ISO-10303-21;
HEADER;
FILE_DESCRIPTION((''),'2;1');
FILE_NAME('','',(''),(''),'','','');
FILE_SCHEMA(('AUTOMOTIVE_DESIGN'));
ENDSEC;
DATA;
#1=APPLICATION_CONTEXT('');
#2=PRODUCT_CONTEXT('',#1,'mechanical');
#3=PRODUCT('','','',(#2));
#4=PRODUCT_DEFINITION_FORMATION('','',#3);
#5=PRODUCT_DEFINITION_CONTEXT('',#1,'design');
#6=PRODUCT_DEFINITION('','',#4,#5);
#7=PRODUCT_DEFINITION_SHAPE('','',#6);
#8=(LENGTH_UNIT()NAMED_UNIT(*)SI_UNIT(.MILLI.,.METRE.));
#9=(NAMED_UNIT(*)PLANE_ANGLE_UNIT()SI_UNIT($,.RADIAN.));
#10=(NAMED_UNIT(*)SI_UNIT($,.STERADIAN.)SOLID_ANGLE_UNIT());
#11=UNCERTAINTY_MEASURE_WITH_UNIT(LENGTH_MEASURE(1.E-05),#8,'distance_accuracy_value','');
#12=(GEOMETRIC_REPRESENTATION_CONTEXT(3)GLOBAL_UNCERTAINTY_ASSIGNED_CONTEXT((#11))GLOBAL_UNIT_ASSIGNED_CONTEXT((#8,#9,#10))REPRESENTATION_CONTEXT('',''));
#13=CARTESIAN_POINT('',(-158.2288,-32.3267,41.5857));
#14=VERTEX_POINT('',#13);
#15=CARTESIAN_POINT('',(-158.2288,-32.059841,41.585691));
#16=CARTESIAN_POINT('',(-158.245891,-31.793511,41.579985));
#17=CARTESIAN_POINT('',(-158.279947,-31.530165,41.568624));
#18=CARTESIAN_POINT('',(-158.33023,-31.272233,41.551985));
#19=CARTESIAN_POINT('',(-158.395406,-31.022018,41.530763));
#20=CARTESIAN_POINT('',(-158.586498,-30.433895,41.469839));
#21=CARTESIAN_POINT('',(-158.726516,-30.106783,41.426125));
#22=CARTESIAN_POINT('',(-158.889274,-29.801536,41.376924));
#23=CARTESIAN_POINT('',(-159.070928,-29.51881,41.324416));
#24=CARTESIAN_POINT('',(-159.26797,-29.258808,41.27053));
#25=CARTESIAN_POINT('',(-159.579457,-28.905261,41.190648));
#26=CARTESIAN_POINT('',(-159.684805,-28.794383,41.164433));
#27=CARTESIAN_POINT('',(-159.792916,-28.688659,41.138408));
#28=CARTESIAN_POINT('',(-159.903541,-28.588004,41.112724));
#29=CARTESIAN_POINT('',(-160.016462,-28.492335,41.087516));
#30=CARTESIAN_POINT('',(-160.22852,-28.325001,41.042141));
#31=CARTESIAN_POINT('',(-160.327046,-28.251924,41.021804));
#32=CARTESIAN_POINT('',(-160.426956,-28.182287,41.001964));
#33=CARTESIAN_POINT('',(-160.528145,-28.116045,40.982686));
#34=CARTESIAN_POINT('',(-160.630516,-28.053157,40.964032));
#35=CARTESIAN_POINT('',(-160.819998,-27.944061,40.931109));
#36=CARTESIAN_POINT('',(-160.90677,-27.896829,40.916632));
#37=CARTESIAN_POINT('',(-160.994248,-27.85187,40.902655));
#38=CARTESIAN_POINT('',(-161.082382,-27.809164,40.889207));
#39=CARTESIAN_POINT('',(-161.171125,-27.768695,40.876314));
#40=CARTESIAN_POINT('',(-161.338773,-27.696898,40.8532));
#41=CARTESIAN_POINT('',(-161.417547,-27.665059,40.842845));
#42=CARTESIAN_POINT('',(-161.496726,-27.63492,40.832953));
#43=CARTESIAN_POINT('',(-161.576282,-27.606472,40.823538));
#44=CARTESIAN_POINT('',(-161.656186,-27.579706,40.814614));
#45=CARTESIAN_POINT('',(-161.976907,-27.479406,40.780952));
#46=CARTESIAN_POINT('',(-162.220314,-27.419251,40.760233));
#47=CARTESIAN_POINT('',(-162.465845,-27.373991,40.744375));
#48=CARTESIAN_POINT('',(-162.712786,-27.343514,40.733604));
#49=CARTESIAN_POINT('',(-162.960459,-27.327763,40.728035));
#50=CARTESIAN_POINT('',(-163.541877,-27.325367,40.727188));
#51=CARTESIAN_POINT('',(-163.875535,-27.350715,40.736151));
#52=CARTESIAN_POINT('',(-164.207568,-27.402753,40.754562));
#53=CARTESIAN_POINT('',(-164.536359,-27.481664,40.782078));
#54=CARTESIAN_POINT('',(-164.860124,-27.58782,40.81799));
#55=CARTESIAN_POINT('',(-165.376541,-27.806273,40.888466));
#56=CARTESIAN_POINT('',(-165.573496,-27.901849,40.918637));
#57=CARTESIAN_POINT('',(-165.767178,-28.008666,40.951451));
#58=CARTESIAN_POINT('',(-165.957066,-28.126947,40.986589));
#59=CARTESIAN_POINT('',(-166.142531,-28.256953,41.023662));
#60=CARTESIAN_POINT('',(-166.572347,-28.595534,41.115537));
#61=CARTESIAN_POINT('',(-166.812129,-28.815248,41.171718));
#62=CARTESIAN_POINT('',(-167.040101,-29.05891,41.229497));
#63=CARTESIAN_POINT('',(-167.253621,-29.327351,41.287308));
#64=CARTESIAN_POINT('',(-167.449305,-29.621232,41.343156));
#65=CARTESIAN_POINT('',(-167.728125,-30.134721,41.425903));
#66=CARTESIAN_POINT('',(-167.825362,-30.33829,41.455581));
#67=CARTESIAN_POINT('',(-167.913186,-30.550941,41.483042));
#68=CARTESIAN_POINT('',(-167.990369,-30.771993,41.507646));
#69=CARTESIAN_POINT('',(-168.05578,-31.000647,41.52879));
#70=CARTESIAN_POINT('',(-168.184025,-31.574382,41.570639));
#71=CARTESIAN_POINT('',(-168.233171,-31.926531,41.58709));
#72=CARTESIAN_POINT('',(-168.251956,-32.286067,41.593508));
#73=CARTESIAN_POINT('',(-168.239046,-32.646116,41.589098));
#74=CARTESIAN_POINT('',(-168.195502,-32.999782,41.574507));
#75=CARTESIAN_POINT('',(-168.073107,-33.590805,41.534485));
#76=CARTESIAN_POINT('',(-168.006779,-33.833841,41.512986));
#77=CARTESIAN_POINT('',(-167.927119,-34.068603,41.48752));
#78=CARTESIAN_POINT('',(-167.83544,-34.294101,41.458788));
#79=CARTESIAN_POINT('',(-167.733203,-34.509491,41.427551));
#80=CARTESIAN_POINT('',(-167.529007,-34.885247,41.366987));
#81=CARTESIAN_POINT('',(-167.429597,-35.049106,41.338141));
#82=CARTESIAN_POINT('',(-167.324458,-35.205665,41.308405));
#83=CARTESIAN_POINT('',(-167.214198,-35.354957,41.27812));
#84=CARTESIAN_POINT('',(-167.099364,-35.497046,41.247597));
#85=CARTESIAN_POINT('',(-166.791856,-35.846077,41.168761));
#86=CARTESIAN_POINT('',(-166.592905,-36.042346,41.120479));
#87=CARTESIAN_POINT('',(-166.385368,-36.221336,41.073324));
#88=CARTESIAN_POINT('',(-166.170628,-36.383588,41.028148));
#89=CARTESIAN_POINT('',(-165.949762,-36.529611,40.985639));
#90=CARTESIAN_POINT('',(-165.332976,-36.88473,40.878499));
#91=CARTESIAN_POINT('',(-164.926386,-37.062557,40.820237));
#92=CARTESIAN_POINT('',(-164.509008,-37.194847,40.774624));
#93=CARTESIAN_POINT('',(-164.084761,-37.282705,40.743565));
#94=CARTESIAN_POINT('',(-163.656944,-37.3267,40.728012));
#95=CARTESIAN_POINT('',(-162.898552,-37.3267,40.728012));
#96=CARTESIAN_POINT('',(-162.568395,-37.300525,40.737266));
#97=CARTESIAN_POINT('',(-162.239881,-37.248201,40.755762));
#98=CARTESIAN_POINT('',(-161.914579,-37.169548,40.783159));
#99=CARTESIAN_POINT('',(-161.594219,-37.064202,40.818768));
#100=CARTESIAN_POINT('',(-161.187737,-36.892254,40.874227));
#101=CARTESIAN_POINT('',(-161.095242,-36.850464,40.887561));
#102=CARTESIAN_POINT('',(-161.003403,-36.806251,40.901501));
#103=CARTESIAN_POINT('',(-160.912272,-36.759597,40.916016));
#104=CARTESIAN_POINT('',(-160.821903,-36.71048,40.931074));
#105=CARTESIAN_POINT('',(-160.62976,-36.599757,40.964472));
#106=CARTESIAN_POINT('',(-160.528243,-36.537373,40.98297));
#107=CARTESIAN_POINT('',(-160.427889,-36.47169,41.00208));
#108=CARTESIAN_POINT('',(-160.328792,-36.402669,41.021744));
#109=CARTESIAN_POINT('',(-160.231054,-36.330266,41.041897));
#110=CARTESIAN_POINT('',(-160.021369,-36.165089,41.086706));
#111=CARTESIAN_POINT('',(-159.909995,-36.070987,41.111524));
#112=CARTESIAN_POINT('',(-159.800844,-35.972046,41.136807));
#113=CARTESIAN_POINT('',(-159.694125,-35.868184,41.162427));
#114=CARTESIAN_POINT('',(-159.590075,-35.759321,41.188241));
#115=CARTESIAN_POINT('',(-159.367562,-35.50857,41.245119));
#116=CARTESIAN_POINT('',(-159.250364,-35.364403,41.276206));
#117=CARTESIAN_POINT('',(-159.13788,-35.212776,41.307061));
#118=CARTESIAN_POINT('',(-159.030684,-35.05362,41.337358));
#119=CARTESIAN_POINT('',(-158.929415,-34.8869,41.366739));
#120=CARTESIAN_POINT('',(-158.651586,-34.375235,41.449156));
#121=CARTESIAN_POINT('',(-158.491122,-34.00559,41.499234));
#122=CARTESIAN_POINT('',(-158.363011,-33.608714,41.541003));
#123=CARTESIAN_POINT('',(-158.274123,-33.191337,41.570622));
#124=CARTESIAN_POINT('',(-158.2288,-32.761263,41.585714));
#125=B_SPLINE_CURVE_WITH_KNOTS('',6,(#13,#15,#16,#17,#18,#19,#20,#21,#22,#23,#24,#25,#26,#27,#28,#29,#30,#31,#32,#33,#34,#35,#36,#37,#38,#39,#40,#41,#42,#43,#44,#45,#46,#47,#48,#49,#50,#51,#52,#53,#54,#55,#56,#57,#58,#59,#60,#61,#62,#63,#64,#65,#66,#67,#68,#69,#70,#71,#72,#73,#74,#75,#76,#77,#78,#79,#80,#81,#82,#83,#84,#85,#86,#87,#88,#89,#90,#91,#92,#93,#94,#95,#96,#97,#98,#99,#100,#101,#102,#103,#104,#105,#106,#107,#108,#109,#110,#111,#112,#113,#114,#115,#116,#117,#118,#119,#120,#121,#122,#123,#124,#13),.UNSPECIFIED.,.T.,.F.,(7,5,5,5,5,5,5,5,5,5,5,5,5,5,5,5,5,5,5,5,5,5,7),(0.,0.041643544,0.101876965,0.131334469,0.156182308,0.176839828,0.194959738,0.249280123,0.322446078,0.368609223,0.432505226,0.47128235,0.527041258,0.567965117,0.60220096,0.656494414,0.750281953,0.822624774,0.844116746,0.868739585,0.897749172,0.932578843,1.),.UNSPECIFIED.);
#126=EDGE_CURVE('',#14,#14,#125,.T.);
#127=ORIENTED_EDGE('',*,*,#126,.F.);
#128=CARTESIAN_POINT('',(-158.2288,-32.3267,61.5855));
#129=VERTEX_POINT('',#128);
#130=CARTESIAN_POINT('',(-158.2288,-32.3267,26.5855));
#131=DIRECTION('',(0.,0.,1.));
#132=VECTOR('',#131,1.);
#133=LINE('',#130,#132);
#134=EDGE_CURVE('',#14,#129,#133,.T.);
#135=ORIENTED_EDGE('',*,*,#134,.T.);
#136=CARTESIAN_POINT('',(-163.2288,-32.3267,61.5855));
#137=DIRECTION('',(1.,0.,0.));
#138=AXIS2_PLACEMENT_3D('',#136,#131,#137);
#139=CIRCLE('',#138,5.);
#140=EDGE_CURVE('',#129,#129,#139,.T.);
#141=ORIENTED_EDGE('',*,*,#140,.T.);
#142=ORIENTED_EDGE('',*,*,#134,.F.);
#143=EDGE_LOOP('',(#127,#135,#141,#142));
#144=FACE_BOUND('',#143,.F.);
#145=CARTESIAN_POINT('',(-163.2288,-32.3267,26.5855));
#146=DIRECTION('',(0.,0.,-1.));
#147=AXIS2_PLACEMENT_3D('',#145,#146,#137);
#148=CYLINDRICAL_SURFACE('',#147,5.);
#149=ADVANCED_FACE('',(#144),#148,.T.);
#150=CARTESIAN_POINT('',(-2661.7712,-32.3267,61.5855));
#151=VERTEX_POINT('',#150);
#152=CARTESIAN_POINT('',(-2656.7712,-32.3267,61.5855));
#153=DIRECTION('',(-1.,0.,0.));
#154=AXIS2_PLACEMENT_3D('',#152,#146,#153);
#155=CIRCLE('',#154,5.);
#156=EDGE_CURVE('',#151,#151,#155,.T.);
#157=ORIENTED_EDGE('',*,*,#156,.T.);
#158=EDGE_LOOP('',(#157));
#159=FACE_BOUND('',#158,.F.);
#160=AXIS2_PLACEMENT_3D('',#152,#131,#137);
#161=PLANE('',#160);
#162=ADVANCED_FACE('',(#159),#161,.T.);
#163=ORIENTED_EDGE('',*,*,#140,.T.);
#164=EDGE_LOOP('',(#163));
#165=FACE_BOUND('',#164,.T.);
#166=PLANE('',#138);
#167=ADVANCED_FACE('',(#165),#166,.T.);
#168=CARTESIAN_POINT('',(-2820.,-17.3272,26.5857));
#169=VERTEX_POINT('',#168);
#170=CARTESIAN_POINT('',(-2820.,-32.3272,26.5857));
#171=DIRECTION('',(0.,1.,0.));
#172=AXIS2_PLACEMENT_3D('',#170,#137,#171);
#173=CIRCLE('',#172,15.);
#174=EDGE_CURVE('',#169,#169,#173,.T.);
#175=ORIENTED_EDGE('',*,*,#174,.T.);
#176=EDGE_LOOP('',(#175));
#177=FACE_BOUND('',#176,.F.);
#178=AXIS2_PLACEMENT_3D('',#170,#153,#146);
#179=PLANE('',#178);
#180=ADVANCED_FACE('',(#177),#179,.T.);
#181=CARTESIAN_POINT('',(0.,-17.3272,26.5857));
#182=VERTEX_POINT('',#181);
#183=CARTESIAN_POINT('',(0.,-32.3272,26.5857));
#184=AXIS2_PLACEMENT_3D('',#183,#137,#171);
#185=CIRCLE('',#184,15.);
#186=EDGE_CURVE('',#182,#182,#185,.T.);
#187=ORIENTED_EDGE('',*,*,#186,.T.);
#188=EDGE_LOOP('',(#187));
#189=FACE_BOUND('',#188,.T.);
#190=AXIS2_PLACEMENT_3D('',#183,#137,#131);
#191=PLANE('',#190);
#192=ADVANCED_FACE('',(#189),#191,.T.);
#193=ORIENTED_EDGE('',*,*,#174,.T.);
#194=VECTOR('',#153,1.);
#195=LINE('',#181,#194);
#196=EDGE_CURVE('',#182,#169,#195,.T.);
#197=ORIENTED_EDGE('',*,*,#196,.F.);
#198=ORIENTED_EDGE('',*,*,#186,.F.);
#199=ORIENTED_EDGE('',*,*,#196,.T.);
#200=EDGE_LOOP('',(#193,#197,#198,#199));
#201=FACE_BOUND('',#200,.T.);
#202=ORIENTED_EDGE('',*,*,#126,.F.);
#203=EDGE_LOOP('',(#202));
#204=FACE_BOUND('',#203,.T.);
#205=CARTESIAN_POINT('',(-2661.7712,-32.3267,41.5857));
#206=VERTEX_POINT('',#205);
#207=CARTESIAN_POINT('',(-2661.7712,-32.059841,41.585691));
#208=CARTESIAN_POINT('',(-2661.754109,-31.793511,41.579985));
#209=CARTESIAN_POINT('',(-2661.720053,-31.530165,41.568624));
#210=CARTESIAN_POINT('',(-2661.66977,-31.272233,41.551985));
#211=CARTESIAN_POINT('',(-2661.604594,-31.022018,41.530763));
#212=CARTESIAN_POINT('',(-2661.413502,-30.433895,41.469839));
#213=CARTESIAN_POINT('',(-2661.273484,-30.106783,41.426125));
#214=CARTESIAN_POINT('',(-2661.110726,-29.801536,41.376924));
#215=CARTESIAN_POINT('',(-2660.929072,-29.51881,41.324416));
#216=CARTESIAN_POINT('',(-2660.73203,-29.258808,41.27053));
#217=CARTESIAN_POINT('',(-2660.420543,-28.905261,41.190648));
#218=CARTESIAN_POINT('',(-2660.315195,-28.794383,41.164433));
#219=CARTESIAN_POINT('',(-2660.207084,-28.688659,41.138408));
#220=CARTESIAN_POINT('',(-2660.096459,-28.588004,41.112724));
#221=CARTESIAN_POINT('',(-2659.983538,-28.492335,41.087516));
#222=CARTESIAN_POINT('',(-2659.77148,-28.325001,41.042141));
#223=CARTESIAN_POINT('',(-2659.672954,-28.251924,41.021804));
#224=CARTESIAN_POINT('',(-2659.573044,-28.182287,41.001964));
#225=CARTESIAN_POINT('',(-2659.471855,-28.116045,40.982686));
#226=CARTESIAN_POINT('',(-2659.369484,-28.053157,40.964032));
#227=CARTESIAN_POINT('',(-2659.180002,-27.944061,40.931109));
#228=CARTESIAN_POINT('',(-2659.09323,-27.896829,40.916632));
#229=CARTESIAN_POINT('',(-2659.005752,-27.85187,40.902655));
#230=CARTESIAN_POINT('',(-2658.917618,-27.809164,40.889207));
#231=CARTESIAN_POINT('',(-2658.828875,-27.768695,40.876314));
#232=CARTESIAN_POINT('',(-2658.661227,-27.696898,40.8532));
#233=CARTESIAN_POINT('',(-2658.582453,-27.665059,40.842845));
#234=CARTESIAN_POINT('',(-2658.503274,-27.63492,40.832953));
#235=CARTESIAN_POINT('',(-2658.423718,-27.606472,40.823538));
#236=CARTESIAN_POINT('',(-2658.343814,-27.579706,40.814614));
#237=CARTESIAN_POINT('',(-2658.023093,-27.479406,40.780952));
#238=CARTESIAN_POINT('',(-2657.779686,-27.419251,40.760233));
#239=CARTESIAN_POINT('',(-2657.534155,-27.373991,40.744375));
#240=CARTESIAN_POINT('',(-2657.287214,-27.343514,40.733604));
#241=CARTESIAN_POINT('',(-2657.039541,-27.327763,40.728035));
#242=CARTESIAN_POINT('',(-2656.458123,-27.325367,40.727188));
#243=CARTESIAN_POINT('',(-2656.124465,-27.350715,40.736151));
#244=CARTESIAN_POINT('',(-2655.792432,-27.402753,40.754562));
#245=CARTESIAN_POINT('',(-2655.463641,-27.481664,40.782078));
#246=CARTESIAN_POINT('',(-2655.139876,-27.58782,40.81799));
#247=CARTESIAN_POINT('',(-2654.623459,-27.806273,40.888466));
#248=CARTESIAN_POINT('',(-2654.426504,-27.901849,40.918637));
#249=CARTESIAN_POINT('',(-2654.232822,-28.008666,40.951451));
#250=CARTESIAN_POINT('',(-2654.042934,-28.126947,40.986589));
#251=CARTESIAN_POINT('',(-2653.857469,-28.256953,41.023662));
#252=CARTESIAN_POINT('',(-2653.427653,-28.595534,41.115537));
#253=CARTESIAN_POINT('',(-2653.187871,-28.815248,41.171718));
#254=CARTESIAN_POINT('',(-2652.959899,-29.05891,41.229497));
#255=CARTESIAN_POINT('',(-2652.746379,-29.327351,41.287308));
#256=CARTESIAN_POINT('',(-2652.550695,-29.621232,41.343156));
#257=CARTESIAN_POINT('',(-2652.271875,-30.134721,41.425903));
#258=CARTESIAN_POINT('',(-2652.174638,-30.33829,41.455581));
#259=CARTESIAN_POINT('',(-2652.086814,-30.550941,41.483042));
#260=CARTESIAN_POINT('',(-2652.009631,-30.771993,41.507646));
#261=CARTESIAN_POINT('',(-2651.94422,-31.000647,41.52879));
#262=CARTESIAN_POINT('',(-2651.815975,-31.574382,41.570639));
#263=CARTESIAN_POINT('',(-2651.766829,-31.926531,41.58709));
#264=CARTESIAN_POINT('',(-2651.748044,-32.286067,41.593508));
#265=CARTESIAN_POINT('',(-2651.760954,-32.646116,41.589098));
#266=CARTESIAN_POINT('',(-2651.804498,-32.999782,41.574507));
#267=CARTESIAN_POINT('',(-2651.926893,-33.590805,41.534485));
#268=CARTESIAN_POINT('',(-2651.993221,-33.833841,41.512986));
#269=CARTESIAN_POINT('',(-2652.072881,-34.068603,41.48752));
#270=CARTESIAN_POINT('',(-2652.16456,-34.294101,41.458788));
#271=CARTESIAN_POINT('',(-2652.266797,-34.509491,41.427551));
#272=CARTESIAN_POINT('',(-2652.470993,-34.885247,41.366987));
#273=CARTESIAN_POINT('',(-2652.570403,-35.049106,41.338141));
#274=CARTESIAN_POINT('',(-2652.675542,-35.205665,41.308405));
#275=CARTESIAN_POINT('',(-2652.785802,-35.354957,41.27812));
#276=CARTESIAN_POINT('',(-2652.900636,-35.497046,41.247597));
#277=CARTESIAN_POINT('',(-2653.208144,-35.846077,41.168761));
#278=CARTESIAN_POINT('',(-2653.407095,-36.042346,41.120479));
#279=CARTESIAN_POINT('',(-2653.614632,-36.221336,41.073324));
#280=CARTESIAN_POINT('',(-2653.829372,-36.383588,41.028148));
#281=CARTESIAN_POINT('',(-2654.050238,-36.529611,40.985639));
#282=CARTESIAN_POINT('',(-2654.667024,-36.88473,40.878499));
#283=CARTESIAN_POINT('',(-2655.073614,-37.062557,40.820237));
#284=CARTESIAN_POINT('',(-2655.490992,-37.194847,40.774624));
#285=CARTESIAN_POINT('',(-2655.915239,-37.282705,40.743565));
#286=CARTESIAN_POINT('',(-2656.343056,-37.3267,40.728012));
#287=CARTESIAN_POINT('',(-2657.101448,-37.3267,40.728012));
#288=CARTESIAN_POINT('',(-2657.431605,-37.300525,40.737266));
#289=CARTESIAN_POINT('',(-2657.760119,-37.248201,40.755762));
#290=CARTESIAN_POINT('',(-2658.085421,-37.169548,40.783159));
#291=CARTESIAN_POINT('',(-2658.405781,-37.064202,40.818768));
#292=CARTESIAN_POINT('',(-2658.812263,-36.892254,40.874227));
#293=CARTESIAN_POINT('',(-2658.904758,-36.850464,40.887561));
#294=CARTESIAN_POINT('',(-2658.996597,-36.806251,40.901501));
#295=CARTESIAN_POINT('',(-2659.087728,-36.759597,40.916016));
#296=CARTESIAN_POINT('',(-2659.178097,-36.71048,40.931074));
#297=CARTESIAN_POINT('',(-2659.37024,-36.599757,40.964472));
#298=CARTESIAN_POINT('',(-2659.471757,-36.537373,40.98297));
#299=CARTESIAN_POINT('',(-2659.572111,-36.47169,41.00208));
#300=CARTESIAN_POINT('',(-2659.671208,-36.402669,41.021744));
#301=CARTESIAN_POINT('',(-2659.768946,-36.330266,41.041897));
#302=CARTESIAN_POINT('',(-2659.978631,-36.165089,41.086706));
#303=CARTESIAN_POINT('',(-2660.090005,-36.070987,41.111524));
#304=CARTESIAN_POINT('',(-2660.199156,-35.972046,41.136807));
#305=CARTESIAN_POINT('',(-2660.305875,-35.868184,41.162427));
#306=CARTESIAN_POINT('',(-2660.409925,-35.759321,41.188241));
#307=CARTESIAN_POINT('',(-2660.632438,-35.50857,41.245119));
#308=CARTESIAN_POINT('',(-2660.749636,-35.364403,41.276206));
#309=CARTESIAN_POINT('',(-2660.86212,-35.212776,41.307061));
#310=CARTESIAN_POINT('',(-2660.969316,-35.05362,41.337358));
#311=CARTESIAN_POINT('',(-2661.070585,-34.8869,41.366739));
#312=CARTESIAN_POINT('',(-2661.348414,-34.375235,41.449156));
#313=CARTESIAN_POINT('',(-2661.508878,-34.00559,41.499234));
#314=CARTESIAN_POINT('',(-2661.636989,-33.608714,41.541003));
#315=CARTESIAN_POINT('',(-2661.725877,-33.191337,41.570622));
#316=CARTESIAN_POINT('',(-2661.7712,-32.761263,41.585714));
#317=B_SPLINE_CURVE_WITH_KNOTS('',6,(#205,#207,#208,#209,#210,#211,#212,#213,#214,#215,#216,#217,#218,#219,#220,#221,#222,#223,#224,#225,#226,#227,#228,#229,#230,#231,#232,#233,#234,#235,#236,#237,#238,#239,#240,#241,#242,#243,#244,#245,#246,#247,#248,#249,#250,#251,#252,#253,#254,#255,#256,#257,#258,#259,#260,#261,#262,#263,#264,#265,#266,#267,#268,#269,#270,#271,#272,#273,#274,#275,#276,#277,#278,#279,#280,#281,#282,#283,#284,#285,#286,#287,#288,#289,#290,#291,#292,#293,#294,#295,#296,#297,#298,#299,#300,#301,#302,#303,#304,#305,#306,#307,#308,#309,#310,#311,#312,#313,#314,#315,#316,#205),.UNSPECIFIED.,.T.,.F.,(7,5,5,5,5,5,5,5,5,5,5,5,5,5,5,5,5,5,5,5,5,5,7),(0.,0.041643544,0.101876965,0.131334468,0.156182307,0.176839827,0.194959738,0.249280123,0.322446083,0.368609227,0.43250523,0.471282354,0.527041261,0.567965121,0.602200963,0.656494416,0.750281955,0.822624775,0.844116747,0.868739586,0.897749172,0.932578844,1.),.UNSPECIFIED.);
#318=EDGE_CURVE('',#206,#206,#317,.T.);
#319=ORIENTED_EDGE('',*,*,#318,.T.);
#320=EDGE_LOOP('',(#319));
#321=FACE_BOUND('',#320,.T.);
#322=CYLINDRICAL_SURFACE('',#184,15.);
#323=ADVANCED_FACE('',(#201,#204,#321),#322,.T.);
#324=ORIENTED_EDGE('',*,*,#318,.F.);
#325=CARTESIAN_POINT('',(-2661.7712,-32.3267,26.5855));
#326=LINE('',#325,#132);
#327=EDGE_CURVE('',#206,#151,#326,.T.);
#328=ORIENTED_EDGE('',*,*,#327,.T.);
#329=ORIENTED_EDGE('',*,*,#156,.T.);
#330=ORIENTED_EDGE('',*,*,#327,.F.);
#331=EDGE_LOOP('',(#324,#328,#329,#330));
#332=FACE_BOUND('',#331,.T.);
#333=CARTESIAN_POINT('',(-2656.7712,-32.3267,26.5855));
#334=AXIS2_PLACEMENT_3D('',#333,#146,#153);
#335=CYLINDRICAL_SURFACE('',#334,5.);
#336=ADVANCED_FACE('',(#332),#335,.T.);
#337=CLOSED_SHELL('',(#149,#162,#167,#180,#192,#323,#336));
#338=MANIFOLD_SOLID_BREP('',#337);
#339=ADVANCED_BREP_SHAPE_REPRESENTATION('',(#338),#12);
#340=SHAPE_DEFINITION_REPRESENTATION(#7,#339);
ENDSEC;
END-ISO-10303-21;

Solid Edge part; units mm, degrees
sketch "Sketch1" plane through (0, 0, 0) normal (1, 0, 0) x (0, 1, 0)
  circle A0 centre (-32.3272, 26.5857) radius 15
  dimension "D1" = 30
extrude "Protrusion1" add sketch "Sketch1" against normal blind 1410
revolve "RevolvedProtrusion1" [suppressed]
sketch "Sketch2" plane through (0, 0, 26.5855) normal (0, 0, 1) x (1, 0, 0)
  circle A0 centre (-163.2288, -32.3267) radius 5
extrude "ExtrudedProtrusion_5" add sketch "Sketch2" along normal blind 35
mirror "Mirror1" about plane through (-1410, -32.3272, 26.5857) normal (-1, 0, 0) of "Protrusion1", "ExtrudedProtrusion_5"
